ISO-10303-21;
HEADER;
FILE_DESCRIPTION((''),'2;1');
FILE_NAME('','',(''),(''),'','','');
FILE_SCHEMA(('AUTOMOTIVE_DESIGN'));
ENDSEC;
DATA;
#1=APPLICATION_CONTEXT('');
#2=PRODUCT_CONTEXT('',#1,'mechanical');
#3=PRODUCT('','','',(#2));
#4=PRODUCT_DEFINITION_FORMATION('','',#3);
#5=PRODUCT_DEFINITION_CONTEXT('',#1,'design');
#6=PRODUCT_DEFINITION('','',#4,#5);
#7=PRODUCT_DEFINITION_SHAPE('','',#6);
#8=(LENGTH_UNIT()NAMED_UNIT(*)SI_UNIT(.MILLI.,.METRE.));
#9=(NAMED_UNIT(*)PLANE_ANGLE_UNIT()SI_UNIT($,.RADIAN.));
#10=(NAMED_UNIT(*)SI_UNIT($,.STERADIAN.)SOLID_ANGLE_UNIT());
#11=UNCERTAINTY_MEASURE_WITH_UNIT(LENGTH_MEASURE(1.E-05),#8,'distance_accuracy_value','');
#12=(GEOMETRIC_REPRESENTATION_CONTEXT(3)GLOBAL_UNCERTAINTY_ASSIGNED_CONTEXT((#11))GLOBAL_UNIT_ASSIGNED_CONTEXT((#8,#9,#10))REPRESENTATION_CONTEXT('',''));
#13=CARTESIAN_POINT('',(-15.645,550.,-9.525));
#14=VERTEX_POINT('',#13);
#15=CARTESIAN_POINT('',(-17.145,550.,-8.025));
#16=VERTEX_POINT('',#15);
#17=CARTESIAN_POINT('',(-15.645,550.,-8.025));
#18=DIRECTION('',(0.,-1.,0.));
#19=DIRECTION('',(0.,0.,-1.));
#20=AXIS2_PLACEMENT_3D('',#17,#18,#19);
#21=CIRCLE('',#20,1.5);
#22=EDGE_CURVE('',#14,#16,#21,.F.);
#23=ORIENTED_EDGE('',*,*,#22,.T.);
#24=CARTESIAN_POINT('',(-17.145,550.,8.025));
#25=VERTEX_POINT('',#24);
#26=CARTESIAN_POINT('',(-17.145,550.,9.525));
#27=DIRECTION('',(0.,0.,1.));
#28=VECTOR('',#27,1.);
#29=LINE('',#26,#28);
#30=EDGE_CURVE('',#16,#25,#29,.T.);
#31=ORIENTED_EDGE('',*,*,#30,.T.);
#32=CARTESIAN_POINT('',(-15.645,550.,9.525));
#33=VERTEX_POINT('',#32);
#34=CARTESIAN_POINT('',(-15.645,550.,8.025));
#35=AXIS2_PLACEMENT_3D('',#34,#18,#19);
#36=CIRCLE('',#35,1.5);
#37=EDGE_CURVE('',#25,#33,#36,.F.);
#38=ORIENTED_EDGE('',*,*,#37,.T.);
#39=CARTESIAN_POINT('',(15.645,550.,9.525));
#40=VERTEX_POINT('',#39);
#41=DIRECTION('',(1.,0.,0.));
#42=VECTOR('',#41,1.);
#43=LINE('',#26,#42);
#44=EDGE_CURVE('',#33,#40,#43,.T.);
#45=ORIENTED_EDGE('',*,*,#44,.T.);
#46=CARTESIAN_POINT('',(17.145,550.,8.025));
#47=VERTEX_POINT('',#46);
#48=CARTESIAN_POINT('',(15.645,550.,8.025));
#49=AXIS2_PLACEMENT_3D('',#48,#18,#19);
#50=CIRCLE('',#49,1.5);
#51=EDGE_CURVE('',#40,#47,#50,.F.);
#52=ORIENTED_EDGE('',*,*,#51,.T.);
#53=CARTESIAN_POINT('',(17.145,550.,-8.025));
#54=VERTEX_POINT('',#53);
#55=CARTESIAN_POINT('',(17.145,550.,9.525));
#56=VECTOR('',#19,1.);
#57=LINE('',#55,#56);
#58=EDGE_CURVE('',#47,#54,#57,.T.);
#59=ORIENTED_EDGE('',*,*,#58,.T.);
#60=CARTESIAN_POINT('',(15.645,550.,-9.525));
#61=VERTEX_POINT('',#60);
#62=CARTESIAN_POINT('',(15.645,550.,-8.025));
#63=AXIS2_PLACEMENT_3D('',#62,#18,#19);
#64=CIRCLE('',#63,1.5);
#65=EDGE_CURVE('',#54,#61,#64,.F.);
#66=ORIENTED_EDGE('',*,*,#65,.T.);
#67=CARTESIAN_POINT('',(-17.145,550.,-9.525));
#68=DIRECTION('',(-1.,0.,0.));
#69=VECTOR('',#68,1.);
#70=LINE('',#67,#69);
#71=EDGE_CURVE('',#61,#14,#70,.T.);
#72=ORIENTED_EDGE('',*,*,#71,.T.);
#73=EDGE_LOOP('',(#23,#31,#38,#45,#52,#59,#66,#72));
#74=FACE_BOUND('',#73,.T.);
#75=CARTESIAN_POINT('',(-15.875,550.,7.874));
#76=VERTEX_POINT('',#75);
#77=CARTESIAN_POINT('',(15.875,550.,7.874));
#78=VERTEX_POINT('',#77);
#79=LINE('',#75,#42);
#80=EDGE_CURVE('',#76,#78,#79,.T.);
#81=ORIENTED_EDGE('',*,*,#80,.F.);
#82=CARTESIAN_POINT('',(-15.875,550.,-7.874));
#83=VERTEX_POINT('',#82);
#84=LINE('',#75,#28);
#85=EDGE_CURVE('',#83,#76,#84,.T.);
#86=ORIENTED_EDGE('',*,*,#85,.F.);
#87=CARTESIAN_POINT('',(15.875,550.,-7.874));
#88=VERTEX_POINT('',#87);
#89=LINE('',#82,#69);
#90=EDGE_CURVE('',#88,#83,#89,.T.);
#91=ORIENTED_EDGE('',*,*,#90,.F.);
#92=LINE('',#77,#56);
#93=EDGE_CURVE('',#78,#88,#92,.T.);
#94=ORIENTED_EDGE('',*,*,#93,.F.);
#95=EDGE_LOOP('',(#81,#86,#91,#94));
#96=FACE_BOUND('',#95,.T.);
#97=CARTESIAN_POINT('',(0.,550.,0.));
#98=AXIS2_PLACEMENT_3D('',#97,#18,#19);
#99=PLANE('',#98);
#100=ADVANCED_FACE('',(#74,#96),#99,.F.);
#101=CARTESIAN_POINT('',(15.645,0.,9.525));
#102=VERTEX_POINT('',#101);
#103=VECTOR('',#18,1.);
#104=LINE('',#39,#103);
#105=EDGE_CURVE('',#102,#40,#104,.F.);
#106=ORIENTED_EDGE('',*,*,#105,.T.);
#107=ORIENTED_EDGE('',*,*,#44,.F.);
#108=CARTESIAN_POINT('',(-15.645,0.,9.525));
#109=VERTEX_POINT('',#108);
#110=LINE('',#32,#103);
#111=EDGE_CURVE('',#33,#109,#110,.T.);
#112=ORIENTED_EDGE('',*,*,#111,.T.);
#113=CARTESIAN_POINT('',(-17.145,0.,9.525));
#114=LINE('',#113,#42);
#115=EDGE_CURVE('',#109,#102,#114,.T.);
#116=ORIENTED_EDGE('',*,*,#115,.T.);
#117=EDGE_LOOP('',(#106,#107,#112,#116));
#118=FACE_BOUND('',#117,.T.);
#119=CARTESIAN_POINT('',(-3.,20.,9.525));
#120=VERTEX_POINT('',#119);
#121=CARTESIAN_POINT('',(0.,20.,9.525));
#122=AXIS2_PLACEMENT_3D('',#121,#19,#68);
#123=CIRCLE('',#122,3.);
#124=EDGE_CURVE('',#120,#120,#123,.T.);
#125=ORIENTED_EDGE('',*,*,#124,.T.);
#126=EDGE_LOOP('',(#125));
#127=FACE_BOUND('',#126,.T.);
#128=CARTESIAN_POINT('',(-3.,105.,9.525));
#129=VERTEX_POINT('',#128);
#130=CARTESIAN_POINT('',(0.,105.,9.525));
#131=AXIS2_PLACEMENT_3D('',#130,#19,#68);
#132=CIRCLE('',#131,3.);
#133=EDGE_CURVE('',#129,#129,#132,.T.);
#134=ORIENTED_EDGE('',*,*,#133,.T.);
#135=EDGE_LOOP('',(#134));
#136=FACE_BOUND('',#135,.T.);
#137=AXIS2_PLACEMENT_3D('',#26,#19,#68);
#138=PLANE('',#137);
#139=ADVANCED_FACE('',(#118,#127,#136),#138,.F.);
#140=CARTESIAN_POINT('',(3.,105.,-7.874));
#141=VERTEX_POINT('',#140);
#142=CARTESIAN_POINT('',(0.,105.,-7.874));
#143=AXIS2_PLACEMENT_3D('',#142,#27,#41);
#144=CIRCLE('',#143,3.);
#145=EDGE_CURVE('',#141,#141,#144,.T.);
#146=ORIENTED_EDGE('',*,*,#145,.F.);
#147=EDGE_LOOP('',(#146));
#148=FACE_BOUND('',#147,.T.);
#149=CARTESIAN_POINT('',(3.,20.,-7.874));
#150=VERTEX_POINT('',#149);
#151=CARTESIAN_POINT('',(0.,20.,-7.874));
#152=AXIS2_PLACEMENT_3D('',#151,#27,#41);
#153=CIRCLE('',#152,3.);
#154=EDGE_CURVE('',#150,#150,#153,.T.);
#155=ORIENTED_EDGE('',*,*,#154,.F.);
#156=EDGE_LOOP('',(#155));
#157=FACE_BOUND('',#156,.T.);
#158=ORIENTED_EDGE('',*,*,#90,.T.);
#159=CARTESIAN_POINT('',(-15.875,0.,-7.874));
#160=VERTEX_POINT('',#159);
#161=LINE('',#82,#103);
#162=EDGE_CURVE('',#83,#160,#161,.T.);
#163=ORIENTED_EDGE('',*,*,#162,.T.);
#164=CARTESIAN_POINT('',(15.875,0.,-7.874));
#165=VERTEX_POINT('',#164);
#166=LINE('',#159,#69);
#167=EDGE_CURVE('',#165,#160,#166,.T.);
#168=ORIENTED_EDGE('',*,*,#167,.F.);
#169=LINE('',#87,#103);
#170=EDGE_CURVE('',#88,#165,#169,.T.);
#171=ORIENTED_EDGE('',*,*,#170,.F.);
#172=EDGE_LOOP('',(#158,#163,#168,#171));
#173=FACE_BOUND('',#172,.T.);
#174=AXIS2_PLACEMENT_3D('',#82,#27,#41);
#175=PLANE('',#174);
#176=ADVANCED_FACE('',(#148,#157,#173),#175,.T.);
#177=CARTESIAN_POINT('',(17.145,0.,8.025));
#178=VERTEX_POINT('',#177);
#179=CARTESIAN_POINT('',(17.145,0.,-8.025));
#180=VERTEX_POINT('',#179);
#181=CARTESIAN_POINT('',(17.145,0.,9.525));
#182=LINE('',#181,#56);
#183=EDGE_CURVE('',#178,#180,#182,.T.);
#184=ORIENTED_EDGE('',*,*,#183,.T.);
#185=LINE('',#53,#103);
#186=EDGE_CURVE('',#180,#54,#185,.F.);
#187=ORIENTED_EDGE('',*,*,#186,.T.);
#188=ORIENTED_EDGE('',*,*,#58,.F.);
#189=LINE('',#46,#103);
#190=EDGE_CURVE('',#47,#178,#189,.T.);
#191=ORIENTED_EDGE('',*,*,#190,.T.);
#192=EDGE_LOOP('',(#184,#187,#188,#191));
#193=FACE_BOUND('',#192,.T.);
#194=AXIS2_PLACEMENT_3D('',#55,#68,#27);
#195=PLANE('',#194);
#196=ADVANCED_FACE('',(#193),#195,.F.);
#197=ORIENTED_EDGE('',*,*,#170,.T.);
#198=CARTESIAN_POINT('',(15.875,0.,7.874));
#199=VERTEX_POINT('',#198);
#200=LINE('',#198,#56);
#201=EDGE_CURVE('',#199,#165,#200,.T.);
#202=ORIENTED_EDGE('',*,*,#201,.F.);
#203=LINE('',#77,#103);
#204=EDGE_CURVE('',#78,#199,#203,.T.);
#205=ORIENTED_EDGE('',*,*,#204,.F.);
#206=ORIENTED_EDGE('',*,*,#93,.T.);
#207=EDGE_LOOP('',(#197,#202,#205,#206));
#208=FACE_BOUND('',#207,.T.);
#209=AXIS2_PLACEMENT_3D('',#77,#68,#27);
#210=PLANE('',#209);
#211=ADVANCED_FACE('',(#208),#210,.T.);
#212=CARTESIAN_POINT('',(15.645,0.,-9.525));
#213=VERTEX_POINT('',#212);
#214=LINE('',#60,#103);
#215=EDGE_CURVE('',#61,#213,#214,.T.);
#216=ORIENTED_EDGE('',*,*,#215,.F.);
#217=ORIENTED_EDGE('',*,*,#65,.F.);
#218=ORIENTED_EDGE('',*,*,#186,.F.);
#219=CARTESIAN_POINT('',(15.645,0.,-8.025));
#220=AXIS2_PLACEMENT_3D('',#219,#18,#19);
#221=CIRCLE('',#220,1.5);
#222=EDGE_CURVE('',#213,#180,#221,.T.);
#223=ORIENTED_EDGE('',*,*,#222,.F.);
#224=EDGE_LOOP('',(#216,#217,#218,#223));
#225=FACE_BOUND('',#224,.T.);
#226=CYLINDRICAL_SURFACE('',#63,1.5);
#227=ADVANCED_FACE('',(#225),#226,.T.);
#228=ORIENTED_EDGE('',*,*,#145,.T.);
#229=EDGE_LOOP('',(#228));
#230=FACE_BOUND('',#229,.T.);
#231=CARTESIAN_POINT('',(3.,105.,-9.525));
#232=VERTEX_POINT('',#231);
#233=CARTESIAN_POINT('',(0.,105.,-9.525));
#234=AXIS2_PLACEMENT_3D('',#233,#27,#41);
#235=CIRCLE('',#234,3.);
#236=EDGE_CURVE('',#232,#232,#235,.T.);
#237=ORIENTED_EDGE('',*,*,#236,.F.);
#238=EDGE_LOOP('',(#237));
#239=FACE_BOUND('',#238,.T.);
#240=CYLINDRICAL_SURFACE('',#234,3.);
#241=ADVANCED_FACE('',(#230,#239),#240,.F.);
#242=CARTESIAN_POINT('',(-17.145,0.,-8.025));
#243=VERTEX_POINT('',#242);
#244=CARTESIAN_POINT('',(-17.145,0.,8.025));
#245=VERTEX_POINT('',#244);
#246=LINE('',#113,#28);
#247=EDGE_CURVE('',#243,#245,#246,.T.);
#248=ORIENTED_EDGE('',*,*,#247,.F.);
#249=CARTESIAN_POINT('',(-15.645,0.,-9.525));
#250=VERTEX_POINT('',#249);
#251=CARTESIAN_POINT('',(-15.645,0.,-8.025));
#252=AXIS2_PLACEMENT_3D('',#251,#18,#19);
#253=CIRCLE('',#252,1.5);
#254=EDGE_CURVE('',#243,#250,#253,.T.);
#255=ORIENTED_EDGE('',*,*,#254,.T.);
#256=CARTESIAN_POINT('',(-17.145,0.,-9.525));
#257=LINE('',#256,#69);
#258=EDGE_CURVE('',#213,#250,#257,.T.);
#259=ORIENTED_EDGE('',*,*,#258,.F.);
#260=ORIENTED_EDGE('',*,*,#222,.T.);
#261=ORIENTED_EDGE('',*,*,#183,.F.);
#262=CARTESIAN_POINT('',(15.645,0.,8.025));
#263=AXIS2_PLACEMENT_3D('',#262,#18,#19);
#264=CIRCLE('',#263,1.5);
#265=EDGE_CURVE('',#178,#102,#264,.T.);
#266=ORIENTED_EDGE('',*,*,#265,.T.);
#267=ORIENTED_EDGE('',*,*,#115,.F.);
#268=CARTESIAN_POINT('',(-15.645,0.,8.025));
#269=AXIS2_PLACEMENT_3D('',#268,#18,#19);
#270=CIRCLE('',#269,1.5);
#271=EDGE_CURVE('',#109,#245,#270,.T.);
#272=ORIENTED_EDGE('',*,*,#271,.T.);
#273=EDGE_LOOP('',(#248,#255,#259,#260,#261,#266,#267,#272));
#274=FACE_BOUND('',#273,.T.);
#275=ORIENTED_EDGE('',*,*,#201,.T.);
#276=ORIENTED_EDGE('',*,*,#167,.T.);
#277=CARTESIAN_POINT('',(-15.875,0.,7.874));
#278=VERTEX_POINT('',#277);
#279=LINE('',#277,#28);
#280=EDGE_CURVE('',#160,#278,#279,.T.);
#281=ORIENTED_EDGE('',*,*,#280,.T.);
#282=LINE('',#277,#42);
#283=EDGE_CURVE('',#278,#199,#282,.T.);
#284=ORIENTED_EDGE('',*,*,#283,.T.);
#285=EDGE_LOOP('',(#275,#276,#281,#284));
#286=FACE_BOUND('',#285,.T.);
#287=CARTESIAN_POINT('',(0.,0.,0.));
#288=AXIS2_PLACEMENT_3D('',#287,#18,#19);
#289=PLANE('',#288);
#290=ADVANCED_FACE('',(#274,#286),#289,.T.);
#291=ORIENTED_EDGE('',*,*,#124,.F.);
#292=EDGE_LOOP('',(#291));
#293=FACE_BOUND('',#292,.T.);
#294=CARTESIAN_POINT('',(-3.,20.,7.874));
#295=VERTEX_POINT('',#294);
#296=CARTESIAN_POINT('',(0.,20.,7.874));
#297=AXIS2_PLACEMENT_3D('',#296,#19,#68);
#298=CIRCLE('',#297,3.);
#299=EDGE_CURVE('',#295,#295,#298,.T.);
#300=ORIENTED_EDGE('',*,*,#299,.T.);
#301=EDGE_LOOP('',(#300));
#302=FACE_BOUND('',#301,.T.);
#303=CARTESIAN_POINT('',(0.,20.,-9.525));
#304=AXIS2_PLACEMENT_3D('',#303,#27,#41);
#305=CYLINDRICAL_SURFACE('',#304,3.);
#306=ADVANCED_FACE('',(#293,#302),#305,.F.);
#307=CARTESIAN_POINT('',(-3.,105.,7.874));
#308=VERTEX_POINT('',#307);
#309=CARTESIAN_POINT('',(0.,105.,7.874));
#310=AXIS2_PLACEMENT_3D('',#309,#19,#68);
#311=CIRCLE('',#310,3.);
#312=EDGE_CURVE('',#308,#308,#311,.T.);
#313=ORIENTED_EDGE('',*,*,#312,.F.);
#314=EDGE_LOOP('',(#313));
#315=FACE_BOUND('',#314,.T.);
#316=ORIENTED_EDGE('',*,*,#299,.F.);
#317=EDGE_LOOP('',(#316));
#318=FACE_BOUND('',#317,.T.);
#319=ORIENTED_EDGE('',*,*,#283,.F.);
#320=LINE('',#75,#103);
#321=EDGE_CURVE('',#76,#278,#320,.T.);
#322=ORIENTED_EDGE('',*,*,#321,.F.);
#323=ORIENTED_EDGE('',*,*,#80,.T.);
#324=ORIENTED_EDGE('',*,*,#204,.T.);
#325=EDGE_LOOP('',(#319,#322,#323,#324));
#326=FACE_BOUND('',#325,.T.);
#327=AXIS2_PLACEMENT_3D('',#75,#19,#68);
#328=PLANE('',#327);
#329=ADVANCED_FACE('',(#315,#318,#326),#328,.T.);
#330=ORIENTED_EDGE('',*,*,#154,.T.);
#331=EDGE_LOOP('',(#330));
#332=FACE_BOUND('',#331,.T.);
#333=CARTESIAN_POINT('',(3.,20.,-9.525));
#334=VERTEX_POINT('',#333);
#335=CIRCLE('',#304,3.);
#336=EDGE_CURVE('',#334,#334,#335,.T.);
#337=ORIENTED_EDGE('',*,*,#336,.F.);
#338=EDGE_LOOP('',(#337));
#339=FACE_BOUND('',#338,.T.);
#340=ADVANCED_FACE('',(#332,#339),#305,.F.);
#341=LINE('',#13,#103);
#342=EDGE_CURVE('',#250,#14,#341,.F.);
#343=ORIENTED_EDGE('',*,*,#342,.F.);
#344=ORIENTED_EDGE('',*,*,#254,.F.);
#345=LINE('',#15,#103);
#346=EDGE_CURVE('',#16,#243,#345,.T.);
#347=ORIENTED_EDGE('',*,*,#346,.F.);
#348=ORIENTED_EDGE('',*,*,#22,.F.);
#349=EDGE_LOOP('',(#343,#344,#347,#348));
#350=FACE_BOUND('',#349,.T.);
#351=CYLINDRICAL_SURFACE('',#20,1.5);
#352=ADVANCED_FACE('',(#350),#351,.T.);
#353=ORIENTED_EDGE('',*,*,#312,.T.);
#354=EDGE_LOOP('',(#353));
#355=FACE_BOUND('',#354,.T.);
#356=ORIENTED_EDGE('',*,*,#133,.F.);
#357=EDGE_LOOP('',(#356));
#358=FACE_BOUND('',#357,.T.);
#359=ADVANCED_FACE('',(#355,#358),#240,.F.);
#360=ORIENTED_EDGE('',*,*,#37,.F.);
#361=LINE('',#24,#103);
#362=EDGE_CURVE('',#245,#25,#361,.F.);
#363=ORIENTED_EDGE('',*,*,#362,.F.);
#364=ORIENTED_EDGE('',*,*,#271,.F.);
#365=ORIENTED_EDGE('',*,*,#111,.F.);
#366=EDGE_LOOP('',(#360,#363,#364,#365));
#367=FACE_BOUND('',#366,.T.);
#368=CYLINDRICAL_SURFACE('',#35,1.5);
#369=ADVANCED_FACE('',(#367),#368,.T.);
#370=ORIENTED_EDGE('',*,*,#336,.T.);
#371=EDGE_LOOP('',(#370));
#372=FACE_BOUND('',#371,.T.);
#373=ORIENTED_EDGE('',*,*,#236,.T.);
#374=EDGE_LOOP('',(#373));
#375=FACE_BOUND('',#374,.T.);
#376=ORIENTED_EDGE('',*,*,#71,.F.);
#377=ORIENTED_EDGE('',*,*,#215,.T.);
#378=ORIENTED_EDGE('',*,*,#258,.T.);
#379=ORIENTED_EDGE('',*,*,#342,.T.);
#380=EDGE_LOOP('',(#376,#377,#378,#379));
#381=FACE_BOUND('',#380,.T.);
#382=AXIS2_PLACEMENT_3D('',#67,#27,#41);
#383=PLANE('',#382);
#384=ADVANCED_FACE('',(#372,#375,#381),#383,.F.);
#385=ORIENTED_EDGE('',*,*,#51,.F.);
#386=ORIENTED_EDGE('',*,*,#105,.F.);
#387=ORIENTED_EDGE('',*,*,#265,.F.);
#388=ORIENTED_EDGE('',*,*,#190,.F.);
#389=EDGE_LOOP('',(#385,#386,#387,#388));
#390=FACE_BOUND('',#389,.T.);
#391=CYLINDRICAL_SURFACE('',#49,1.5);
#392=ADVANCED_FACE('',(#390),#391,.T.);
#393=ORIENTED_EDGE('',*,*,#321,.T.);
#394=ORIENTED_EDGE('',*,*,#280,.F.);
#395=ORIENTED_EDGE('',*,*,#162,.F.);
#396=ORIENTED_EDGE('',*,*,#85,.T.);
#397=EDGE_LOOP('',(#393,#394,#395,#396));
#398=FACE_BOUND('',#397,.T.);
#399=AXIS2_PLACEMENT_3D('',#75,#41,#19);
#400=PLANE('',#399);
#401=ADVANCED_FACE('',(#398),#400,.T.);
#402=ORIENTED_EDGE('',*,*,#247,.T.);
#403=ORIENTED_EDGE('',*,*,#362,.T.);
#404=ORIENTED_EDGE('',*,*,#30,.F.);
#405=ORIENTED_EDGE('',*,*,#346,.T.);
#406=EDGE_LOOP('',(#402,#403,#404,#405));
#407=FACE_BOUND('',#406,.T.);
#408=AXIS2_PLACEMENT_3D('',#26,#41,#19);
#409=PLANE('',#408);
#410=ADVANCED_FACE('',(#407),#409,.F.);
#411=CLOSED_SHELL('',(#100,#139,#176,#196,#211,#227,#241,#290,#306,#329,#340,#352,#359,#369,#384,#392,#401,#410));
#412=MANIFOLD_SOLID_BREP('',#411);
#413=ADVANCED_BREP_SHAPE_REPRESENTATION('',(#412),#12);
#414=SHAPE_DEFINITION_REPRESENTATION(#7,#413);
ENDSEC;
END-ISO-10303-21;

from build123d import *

# Parameters (mm, degrees)
SKETCH1_W               = 34.29
SKETCH1_H               = 19.05
SKETCH1_W_2             = 31.75
SKETCH1_H_2             = 15.748
BOSS_EXTRUDE1_DEPTH     = 550
FILLET1_R               = 1.5
CUT_EXTRUDE1_DEPTH      = 551.59681576
CUT_EXTRUDE1_DEPTH_BACK = 551.59681576
SKETCH2_R               = 3


with BuildPart() as part:
    # Sketch1 → Boss-Extrude1 (new body)
    with BuildSketch(Plane(origin=(0, 0, 0), x_dir=(1, 0, 0), z_dir=(0, 1, 0))):
        Rectangle(SKETCH1_W, SKETCH1_H)
        Rectangle(SKETCH1_W_2, SKETCH1_H_2, mode=Mode.SUBTRACT)
    extrude(amount=BOSS_EXTRUDE1_DEPTH)

    # Fillet1
    fillet1_edges = [part.edges().sort_by_distance(p)[0] for p in [
        (17.145, 275, 9.525),
        (-17.145, 275, 9.525),
        (-17.145, 275, -9.525),
        (17.145, 275, -9.525),
    ]]
    fillet(fillet1_edges, radius=FILLET1_R)

    # Sketch2 → Cut-Extrude1 (cut, two sides: drawn at the far end of the back side and taken through both)
    with BuildSketch(Plane.XY.offset(9.525).offset(-CUT_EXTRUDE1_DEPTH_BACK)):
        with Locations(Location((0, 105, 0), (0, 0, 180))):
            Circle(SKETCH2_R)
        with Locations(Location((0, 20, 0), (0, 0, 180))):
            Circle(SKETCH2_R)
    extrude(amount=CUT_EXTRUDE1_DEPTH + CUT_EXTRUDE1_DEPTH_BACK, mode=Mode.SUBTRACT)


solid = part.part
